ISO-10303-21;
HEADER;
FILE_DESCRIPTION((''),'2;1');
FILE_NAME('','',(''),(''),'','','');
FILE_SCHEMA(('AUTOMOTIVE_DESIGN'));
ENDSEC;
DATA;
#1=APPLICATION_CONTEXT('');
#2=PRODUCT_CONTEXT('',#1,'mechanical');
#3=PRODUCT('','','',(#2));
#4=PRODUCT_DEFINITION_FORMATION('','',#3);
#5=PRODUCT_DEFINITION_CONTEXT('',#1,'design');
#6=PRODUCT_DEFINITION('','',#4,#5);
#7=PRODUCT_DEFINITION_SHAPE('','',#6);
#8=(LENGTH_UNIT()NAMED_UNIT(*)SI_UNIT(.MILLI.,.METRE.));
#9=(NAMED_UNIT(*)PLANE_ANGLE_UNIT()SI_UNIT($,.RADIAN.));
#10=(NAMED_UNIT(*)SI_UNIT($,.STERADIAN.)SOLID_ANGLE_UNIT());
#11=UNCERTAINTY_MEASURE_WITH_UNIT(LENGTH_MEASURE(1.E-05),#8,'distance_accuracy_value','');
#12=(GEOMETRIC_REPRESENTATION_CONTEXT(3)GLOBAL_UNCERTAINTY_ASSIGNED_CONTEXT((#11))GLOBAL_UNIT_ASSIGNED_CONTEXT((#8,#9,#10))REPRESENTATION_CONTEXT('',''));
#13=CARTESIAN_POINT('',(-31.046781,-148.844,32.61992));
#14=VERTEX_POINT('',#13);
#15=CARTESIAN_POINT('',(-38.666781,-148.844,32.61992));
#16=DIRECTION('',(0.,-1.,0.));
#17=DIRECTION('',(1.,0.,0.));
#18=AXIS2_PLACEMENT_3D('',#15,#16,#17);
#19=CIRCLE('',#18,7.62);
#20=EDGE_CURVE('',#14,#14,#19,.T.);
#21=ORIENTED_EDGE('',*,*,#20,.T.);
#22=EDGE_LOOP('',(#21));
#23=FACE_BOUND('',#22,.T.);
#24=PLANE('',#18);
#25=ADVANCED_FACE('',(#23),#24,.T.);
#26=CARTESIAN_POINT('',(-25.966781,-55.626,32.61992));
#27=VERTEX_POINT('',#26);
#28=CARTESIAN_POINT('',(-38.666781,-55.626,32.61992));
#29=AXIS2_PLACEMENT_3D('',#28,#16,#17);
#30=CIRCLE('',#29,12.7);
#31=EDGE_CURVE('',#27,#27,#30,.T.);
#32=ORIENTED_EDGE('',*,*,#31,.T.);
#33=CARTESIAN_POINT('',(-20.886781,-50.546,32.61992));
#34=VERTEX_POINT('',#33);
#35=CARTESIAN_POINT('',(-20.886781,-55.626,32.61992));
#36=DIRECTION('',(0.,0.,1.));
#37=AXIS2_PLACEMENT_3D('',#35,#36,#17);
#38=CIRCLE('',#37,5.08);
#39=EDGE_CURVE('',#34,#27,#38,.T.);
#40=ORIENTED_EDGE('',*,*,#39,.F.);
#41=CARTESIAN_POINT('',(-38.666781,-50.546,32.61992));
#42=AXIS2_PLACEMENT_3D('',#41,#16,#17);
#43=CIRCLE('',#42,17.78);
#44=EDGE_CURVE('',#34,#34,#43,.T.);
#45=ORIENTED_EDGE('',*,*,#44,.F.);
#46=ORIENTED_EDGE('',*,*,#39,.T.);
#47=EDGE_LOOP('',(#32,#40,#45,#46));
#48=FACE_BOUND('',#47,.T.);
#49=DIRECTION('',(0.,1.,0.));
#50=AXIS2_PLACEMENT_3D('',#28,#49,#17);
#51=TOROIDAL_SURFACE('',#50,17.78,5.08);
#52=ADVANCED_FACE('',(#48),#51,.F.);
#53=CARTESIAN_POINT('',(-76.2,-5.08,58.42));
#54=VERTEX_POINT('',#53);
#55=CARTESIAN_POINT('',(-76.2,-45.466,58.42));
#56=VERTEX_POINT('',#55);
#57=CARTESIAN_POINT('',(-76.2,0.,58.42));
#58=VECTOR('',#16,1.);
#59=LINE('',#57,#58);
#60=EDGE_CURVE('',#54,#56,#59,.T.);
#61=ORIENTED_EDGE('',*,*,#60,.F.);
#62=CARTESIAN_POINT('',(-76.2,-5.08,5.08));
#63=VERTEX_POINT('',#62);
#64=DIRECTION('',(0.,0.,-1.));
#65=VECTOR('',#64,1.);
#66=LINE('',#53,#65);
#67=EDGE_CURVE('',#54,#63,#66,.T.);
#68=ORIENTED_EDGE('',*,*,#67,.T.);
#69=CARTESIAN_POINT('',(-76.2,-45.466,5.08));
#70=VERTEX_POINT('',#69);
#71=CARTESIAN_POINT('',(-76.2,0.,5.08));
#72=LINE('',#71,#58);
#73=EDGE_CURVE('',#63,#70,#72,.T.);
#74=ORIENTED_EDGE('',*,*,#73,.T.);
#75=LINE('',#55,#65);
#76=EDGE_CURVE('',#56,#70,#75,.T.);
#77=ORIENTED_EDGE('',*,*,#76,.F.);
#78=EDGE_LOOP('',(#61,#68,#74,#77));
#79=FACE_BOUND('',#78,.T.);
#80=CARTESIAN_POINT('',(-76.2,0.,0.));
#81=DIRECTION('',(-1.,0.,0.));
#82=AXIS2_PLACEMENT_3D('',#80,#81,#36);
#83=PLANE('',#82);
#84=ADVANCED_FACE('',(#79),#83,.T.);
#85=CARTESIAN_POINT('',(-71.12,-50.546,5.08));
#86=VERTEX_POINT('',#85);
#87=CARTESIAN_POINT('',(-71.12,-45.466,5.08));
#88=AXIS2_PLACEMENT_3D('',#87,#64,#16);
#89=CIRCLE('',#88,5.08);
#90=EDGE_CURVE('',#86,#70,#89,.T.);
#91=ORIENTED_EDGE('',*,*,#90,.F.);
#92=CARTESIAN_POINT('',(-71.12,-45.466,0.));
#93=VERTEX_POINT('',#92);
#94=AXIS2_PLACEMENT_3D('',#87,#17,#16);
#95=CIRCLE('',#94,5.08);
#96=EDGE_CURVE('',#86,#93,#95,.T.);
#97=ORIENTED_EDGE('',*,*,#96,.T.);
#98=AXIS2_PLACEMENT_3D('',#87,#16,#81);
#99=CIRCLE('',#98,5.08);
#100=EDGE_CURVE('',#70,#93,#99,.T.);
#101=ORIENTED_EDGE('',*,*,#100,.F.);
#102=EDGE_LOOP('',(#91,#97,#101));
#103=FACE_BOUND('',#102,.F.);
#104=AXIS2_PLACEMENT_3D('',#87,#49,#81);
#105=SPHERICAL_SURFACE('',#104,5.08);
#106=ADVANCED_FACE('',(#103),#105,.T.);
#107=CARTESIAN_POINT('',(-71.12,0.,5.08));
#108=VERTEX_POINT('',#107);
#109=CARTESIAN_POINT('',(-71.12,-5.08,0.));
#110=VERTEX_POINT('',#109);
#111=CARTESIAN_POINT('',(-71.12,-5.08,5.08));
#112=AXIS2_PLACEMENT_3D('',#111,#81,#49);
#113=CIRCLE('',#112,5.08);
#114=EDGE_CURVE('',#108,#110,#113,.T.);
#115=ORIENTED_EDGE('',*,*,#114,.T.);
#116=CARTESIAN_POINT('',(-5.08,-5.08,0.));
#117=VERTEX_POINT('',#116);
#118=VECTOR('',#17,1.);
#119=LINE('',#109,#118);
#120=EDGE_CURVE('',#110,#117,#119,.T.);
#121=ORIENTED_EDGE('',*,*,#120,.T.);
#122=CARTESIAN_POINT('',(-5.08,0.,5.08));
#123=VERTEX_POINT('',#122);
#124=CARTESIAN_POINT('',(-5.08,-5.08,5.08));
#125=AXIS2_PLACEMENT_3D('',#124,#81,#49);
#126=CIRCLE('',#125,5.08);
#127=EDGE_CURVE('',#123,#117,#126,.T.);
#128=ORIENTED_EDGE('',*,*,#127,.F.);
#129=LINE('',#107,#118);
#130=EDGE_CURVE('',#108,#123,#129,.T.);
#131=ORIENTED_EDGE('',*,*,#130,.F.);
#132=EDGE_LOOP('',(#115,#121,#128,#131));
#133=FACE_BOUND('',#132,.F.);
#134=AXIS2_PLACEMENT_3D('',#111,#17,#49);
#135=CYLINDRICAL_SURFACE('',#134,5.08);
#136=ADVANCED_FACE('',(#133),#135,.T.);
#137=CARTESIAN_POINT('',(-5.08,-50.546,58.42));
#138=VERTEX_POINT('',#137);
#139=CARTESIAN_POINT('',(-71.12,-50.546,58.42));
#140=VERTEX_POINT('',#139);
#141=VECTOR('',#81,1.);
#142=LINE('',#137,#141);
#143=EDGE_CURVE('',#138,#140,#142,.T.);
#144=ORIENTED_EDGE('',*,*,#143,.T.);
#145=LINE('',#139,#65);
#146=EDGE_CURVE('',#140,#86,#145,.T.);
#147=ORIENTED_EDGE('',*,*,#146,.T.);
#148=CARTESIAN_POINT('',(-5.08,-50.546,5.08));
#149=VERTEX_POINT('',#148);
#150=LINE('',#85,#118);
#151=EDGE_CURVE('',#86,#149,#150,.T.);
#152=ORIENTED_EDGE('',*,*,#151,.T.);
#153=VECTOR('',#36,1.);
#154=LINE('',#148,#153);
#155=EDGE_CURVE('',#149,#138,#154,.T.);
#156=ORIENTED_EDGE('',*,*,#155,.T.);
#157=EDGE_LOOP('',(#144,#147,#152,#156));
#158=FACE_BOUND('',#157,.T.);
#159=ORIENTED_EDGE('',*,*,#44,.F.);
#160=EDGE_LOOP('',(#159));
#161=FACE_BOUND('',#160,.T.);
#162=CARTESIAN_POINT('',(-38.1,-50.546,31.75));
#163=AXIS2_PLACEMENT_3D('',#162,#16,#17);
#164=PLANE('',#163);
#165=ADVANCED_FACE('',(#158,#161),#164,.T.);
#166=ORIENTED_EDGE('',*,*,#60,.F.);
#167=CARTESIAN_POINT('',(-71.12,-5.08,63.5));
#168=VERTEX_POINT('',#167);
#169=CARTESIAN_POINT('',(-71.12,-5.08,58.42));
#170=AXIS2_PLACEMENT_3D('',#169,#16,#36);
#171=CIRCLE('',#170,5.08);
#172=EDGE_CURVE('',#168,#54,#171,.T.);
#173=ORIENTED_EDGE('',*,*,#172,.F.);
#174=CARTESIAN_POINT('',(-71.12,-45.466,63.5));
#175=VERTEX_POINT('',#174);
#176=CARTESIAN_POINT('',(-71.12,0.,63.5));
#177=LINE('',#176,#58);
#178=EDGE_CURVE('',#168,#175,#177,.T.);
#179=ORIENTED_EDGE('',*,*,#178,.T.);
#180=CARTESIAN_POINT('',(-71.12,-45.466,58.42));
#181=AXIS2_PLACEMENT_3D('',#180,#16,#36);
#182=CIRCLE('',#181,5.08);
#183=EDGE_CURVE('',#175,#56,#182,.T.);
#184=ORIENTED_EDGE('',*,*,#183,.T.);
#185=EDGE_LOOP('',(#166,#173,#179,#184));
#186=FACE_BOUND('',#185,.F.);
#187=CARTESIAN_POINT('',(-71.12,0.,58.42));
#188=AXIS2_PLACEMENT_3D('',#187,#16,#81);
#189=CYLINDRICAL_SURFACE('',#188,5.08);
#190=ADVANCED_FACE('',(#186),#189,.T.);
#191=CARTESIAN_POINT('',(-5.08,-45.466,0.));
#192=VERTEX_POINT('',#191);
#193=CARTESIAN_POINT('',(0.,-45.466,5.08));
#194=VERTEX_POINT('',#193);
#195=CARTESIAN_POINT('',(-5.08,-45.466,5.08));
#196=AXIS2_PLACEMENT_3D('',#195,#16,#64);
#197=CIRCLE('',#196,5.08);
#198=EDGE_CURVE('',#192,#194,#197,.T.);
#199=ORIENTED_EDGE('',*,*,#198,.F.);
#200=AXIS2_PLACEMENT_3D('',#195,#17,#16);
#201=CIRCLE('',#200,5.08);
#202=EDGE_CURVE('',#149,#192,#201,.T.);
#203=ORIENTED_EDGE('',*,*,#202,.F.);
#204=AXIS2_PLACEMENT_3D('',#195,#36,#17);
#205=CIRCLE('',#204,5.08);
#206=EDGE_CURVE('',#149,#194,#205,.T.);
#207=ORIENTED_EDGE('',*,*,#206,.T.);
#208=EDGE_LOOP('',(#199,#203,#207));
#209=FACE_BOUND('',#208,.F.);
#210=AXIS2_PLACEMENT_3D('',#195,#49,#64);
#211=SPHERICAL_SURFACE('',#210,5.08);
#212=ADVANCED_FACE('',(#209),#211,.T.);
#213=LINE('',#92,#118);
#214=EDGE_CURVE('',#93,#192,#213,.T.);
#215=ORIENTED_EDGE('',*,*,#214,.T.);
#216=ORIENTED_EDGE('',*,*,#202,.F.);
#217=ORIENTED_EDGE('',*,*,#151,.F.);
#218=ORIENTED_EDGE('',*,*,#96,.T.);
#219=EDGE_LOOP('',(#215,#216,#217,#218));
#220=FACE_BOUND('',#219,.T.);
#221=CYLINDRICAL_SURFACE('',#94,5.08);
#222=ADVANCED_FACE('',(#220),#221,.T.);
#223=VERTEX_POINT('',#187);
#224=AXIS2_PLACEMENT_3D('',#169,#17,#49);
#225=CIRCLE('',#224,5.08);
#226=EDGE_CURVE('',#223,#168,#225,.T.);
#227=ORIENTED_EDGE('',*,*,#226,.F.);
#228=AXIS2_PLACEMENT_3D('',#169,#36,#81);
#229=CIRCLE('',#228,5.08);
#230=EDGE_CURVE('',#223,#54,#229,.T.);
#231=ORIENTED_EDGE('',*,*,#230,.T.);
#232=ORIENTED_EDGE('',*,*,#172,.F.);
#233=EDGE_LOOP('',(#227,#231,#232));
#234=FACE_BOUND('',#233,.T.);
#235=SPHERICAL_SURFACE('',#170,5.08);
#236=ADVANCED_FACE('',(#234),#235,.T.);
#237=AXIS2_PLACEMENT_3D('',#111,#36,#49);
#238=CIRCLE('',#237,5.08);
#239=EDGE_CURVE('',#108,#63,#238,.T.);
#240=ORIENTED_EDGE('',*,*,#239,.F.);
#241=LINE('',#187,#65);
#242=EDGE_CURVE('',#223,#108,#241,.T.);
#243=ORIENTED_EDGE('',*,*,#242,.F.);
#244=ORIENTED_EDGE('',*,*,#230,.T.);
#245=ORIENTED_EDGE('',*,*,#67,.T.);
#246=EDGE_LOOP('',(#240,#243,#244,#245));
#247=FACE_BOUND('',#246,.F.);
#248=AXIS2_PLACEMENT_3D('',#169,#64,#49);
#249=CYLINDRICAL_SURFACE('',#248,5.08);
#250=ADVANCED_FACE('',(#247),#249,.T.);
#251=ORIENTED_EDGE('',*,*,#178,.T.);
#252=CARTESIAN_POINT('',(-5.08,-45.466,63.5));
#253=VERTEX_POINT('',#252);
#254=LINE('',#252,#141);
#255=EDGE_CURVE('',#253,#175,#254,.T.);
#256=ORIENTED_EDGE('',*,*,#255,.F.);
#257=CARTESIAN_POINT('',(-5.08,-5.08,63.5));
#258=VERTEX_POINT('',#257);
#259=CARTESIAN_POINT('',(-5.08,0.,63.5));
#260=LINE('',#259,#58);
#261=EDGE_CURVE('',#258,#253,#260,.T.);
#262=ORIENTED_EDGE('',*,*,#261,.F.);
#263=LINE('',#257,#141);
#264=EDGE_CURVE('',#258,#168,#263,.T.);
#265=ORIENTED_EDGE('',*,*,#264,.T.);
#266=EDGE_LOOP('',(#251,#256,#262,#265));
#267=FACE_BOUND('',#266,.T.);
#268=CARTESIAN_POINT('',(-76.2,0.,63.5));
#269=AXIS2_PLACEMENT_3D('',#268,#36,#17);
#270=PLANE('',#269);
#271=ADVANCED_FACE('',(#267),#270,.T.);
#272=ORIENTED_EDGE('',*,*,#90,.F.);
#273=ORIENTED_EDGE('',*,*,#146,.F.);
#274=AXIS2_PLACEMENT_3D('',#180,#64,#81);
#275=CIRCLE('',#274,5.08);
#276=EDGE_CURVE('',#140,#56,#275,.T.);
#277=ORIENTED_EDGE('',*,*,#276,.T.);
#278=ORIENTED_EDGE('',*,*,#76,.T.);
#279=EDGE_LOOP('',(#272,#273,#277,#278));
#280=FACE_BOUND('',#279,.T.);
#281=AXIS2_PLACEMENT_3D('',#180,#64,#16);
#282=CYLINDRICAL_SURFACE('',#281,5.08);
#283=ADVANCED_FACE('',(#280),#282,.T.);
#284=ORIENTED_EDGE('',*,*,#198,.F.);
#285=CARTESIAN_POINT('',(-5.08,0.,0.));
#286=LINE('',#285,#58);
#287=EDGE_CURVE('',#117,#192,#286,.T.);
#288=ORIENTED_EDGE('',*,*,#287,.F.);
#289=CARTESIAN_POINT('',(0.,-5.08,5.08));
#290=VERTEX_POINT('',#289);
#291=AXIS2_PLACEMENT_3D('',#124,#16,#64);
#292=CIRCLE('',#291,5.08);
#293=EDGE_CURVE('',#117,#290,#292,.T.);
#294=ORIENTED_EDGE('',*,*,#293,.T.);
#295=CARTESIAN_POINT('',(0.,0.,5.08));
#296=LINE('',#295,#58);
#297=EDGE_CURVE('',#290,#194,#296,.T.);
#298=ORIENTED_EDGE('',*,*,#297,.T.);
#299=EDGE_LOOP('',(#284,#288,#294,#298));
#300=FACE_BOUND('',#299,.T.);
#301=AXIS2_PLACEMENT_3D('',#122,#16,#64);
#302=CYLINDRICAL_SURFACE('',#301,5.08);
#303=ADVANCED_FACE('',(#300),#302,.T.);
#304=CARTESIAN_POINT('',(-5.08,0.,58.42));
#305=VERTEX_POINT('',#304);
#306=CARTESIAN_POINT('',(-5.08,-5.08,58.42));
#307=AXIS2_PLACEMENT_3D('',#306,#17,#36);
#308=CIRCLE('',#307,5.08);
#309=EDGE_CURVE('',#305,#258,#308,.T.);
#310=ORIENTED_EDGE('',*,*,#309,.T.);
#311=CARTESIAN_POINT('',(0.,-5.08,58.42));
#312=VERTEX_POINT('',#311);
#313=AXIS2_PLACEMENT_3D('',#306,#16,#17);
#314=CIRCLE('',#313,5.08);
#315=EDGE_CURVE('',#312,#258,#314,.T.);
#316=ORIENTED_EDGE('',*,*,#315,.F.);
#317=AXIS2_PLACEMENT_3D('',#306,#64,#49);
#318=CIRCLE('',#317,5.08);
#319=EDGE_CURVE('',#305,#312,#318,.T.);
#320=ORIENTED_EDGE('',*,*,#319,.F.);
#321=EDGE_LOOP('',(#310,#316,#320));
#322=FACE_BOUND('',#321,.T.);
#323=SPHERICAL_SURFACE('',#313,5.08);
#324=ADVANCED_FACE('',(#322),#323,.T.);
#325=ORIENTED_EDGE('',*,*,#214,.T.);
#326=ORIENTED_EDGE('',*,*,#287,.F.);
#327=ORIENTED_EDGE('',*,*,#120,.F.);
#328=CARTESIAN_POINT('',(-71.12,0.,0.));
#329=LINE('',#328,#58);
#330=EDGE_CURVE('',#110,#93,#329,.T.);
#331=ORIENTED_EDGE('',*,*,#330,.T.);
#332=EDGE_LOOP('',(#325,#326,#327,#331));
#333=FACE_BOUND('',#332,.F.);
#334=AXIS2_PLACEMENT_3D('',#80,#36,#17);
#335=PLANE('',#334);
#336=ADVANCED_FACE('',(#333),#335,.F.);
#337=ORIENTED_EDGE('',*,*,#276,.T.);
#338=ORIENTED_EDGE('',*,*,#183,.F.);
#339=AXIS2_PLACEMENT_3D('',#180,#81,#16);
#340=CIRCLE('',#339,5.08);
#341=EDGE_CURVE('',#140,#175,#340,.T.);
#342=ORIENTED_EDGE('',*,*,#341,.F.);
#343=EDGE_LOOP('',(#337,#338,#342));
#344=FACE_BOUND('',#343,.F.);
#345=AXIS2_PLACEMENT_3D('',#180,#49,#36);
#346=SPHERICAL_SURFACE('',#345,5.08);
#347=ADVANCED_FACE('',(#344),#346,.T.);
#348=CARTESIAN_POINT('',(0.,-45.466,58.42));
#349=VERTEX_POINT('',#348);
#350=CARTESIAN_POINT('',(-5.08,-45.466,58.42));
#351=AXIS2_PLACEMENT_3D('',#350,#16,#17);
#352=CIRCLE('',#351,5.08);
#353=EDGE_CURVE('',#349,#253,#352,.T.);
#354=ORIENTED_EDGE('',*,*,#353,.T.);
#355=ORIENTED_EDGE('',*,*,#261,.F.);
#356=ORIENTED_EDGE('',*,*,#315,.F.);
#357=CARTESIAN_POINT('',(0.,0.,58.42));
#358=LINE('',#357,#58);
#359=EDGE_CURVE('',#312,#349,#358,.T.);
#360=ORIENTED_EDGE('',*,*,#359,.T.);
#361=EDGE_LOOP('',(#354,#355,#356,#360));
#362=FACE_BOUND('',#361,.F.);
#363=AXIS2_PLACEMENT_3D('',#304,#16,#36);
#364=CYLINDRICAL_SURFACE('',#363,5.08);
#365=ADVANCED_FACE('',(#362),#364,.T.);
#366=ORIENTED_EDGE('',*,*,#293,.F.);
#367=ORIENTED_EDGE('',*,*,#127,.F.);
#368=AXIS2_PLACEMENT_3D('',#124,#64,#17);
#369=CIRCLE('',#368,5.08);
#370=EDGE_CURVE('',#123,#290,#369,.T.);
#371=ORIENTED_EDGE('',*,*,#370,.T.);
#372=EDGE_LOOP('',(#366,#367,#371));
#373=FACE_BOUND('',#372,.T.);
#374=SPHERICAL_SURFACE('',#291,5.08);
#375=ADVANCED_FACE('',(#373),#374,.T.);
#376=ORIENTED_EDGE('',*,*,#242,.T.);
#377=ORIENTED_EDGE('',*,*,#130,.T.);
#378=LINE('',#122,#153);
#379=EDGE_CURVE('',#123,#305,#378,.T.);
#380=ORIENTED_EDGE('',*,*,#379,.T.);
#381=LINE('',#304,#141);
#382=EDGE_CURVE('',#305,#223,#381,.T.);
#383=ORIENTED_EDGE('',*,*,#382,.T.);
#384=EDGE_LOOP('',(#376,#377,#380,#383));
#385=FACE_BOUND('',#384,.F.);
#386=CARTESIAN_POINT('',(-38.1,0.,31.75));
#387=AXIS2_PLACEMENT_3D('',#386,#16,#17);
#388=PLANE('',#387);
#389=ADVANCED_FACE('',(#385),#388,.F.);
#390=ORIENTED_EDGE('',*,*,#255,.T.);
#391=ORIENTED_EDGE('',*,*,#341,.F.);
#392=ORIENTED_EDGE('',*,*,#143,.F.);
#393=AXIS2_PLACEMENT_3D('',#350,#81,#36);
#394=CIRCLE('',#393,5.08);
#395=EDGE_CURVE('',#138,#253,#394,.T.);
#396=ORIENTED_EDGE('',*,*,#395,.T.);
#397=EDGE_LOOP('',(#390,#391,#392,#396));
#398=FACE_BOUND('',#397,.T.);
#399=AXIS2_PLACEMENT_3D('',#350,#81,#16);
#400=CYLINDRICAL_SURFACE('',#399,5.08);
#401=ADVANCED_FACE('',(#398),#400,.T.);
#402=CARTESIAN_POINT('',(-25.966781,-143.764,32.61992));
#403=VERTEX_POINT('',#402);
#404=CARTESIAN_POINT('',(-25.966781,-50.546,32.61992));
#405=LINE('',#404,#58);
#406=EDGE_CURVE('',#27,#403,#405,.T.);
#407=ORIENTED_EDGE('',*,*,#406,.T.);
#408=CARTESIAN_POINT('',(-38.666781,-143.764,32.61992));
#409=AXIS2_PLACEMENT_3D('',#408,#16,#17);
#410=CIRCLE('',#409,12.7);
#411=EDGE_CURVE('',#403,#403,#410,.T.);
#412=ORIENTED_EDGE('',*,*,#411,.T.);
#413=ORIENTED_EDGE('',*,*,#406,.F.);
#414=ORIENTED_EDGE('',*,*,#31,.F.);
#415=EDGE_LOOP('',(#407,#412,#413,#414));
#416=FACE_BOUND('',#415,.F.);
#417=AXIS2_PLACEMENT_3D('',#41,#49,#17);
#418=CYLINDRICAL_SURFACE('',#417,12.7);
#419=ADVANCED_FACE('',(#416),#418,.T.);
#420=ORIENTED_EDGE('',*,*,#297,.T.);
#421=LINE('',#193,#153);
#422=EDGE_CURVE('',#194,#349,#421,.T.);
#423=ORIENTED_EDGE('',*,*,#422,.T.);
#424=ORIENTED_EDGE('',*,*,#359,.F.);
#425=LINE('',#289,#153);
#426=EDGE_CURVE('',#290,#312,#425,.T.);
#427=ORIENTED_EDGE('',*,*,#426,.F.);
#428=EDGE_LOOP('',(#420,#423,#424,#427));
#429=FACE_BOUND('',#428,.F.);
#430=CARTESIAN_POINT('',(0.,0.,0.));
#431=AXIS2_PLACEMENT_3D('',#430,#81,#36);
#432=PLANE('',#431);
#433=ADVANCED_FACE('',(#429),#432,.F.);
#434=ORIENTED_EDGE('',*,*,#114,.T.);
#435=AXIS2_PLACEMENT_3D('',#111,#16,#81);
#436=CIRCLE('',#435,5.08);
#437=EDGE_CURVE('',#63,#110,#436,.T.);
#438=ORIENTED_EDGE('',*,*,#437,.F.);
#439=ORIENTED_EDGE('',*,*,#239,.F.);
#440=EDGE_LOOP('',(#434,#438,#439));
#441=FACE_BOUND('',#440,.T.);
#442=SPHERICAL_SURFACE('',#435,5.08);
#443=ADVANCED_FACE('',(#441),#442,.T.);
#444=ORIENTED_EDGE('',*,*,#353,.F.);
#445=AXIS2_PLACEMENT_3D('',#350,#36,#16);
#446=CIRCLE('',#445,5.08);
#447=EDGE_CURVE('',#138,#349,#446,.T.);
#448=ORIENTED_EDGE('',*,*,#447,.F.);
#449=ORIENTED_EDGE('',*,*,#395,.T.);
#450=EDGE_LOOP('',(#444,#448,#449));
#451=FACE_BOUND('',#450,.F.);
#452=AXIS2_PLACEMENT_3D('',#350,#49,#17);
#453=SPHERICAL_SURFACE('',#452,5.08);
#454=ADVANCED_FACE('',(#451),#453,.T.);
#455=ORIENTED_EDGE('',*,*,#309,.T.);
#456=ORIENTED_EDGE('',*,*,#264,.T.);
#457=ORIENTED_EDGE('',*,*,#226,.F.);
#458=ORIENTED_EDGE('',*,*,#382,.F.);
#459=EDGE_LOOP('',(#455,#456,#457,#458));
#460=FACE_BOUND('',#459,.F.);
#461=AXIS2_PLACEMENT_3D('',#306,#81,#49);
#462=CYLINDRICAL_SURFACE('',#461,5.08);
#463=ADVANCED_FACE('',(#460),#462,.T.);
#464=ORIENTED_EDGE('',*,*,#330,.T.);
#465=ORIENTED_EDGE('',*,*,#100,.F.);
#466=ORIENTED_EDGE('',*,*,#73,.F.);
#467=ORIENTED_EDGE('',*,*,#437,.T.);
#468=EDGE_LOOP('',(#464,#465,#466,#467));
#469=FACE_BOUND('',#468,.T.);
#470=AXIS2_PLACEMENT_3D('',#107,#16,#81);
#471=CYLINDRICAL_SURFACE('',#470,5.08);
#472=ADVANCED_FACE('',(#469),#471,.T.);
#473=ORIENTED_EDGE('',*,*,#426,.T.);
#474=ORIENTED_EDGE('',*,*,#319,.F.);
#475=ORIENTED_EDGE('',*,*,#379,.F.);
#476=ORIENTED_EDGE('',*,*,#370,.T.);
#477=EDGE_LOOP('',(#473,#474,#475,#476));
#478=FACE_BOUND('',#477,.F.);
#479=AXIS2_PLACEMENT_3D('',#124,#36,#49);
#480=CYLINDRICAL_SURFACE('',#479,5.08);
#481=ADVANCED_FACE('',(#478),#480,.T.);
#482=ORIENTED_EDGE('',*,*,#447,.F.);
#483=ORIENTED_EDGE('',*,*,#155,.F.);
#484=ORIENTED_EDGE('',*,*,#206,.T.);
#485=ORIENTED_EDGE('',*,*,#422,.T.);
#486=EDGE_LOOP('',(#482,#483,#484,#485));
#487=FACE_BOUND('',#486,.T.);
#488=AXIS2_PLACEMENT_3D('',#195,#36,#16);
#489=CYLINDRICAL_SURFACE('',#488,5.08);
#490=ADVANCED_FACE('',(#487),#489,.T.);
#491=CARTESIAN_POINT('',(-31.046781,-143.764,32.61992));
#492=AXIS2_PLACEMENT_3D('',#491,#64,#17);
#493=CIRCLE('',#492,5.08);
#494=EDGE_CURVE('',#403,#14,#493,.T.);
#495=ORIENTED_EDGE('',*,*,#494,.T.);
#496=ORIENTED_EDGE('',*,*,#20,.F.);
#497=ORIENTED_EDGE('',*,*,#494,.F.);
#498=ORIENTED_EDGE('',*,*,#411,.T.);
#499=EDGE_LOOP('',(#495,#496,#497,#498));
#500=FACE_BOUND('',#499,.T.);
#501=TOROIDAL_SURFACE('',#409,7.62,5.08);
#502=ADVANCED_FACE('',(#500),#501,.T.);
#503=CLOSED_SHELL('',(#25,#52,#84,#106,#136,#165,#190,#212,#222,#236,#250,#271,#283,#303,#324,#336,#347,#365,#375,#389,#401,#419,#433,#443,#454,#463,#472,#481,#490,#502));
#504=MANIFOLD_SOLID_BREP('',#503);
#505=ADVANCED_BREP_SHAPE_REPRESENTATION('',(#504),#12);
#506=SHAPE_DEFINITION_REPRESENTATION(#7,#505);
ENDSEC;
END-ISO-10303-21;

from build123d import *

# Parameters (mm, degrees)
F0_W     = 76.2
F0_H     = 63.5
F1_DEPTH = 50.546
F2_R     = 12.7
F3_DEPTH = 98.298
F4_R     = 5.08
F5_R     = 5.08
F6_R     = 5.08


with BuildPart() as f1:
    # F0 (on Front) → F1 (new body)
    with BuildSketch(Plane.XZ):
        with Locations((-38.1, 31.75)):
            Rectangle(F0_W, F0_H)
    extrude(amount=F1_DEPTH)

    # F2 (on face) → F3 (join)
    with BuildSketch(Plane.XZ.offset(50.546)):
        with Locations((-38.666781, 32.61992)):
            Circle(F2_R)
    extrude(amount=F3_DEPTH)

    # F4
    f4_edges = [f1.edges().sort_by_distance(p)[0] for p in [
        (0, -25.273, 0),
        (0, -25.273, 63.5),
        (-76.2, -25.273, 63.5),
        (-76.2, -25.273, 0),
    ]]
    fillet(f4_edges, radius=F4_R)

    # F5
    f5_edges = [f1.edges().sort_by_distance(p)[0] for p in [
        (-38.1, -50.546, 0),
        (-38.1, 0, 0),
    ]]
    fillet(f5_edges, radius=F5_R)

    # F6
    f6_edges = [f1.edges().sort_by_distance(p)[0] for p in [
        (-25.966781, -99.695, 32.61992),
        (-51.366781, -50.546, 32.61992),
        (-51.366781, -148.844, 32.61992),
    ]]
    fillet(f6_edges, radius=F6_R)


solid = f1.part
